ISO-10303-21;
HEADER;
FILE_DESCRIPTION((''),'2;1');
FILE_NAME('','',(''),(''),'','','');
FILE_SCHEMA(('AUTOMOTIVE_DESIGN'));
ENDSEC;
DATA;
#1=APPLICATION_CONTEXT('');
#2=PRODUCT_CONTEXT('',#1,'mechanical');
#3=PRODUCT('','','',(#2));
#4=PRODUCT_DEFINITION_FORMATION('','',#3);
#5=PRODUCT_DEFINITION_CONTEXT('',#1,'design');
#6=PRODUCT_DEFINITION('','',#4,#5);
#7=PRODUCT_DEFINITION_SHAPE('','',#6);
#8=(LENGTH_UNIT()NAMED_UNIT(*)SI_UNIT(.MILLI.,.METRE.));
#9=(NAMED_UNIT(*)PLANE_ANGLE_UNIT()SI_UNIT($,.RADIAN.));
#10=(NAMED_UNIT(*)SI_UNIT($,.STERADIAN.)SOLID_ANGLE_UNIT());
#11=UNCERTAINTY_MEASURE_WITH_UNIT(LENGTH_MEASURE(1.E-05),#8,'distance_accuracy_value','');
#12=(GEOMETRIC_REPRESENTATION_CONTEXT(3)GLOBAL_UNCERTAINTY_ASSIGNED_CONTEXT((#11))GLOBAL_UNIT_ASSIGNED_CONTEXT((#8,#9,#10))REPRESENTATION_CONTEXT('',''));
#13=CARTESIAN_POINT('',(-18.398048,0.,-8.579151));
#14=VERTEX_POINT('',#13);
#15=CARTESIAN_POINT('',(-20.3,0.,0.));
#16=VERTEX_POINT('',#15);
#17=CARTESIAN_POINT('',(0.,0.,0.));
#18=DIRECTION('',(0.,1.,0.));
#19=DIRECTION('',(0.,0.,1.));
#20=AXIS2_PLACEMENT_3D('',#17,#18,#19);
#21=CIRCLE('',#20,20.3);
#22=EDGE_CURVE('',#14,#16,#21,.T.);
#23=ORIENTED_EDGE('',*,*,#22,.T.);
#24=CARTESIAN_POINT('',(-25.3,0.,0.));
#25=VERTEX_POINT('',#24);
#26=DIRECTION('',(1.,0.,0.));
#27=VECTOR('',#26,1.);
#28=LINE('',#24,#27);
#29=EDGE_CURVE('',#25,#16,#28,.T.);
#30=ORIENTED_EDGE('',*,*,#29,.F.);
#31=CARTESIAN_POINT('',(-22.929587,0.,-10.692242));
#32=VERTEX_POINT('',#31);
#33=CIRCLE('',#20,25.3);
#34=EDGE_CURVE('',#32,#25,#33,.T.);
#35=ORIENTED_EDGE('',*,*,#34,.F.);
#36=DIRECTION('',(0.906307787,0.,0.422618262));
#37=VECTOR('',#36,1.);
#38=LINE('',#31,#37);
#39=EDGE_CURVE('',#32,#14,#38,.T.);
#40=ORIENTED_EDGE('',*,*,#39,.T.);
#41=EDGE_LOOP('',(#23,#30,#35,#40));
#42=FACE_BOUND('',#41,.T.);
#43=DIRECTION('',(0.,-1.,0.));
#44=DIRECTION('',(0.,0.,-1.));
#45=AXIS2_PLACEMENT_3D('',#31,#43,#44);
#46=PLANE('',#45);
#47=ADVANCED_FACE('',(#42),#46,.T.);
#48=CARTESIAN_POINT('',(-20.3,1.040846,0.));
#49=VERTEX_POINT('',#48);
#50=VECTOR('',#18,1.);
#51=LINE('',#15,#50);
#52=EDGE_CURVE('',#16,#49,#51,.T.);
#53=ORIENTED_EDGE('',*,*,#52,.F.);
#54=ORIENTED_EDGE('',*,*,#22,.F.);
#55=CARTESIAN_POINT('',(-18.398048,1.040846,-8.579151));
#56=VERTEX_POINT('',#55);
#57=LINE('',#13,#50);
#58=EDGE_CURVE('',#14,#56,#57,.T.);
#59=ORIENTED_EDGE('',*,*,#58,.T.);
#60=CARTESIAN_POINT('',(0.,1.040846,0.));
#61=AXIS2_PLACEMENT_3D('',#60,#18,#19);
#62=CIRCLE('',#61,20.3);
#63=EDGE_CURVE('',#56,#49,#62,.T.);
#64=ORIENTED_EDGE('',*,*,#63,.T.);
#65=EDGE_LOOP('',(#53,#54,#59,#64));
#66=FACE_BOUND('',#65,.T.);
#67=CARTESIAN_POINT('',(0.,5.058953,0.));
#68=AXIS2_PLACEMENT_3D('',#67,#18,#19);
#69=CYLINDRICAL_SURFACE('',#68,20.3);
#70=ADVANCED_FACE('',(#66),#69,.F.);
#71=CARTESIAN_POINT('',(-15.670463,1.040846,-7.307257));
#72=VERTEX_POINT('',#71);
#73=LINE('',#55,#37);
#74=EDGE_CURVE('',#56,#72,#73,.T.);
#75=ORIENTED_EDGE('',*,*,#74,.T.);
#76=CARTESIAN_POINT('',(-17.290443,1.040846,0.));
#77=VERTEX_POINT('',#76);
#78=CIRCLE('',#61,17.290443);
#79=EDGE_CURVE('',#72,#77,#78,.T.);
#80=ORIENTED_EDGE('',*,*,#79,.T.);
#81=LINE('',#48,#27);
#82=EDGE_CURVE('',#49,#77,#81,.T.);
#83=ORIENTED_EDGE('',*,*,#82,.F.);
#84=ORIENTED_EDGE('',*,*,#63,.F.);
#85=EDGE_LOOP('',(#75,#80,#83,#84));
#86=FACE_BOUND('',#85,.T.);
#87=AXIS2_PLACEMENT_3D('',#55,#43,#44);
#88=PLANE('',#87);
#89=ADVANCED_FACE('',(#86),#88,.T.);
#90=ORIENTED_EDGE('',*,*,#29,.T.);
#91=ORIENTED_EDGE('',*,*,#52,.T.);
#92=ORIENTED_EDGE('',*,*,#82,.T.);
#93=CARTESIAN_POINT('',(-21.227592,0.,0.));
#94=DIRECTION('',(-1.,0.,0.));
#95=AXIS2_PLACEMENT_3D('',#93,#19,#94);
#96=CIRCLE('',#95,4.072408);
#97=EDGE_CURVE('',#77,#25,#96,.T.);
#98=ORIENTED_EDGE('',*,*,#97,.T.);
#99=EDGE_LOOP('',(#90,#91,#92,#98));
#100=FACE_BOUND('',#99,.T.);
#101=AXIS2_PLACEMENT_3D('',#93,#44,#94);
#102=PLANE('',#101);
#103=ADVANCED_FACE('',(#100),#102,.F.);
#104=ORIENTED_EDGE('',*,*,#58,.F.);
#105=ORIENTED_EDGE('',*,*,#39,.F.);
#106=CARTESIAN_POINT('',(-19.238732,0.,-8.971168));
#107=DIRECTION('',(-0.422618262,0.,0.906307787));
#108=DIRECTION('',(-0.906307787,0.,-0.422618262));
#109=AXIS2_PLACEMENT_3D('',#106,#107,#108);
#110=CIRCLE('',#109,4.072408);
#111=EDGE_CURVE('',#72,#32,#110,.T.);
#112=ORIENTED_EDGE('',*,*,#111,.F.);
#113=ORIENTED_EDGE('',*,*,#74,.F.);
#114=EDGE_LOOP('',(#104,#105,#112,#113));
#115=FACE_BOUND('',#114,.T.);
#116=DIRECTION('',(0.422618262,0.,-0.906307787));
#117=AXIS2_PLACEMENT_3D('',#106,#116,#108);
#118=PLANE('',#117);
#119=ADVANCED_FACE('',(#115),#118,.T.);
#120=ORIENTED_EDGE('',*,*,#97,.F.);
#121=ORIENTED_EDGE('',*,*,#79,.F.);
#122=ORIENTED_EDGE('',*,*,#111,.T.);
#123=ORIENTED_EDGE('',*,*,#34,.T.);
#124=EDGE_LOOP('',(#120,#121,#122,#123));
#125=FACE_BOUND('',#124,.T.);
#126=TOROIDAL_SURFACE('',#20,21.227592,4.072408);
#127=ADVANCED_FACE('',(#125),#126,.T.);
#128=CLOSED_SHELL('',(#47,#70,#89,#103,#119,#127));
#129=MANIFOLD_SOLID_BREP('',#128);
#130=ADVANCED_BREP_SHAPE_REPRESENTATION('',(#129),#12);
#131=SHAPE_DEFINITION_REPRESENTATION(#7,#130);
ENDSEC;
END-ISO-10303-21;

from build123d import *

# Parameters (mm, degrees)
REVOLVE1_ANGLE = 25


with BuildPart() as part:
    # Sketch3 → Revolve1 (revolve)
    with BuildSketch(Plane.XY):
        with BuildLine():
            Line((-25.3, 0), (-20.3, 0))
            Line((-20.3, 0), (-20.3, 1.040846003))
            Line((-20.3, 1.040846003), (-17.290442791, 1.040846003))
            ThreePointArc((-17.290442791, 1.040846003), (-21.752390995, 4.038451655), (-25.3, 0))
        make_face()
    revolve(axis=Axis((0, 5.058953412, 0), (0, -1, 0)), revolution_arc=REVOLVE1_ANGLE)


solid = part.part
